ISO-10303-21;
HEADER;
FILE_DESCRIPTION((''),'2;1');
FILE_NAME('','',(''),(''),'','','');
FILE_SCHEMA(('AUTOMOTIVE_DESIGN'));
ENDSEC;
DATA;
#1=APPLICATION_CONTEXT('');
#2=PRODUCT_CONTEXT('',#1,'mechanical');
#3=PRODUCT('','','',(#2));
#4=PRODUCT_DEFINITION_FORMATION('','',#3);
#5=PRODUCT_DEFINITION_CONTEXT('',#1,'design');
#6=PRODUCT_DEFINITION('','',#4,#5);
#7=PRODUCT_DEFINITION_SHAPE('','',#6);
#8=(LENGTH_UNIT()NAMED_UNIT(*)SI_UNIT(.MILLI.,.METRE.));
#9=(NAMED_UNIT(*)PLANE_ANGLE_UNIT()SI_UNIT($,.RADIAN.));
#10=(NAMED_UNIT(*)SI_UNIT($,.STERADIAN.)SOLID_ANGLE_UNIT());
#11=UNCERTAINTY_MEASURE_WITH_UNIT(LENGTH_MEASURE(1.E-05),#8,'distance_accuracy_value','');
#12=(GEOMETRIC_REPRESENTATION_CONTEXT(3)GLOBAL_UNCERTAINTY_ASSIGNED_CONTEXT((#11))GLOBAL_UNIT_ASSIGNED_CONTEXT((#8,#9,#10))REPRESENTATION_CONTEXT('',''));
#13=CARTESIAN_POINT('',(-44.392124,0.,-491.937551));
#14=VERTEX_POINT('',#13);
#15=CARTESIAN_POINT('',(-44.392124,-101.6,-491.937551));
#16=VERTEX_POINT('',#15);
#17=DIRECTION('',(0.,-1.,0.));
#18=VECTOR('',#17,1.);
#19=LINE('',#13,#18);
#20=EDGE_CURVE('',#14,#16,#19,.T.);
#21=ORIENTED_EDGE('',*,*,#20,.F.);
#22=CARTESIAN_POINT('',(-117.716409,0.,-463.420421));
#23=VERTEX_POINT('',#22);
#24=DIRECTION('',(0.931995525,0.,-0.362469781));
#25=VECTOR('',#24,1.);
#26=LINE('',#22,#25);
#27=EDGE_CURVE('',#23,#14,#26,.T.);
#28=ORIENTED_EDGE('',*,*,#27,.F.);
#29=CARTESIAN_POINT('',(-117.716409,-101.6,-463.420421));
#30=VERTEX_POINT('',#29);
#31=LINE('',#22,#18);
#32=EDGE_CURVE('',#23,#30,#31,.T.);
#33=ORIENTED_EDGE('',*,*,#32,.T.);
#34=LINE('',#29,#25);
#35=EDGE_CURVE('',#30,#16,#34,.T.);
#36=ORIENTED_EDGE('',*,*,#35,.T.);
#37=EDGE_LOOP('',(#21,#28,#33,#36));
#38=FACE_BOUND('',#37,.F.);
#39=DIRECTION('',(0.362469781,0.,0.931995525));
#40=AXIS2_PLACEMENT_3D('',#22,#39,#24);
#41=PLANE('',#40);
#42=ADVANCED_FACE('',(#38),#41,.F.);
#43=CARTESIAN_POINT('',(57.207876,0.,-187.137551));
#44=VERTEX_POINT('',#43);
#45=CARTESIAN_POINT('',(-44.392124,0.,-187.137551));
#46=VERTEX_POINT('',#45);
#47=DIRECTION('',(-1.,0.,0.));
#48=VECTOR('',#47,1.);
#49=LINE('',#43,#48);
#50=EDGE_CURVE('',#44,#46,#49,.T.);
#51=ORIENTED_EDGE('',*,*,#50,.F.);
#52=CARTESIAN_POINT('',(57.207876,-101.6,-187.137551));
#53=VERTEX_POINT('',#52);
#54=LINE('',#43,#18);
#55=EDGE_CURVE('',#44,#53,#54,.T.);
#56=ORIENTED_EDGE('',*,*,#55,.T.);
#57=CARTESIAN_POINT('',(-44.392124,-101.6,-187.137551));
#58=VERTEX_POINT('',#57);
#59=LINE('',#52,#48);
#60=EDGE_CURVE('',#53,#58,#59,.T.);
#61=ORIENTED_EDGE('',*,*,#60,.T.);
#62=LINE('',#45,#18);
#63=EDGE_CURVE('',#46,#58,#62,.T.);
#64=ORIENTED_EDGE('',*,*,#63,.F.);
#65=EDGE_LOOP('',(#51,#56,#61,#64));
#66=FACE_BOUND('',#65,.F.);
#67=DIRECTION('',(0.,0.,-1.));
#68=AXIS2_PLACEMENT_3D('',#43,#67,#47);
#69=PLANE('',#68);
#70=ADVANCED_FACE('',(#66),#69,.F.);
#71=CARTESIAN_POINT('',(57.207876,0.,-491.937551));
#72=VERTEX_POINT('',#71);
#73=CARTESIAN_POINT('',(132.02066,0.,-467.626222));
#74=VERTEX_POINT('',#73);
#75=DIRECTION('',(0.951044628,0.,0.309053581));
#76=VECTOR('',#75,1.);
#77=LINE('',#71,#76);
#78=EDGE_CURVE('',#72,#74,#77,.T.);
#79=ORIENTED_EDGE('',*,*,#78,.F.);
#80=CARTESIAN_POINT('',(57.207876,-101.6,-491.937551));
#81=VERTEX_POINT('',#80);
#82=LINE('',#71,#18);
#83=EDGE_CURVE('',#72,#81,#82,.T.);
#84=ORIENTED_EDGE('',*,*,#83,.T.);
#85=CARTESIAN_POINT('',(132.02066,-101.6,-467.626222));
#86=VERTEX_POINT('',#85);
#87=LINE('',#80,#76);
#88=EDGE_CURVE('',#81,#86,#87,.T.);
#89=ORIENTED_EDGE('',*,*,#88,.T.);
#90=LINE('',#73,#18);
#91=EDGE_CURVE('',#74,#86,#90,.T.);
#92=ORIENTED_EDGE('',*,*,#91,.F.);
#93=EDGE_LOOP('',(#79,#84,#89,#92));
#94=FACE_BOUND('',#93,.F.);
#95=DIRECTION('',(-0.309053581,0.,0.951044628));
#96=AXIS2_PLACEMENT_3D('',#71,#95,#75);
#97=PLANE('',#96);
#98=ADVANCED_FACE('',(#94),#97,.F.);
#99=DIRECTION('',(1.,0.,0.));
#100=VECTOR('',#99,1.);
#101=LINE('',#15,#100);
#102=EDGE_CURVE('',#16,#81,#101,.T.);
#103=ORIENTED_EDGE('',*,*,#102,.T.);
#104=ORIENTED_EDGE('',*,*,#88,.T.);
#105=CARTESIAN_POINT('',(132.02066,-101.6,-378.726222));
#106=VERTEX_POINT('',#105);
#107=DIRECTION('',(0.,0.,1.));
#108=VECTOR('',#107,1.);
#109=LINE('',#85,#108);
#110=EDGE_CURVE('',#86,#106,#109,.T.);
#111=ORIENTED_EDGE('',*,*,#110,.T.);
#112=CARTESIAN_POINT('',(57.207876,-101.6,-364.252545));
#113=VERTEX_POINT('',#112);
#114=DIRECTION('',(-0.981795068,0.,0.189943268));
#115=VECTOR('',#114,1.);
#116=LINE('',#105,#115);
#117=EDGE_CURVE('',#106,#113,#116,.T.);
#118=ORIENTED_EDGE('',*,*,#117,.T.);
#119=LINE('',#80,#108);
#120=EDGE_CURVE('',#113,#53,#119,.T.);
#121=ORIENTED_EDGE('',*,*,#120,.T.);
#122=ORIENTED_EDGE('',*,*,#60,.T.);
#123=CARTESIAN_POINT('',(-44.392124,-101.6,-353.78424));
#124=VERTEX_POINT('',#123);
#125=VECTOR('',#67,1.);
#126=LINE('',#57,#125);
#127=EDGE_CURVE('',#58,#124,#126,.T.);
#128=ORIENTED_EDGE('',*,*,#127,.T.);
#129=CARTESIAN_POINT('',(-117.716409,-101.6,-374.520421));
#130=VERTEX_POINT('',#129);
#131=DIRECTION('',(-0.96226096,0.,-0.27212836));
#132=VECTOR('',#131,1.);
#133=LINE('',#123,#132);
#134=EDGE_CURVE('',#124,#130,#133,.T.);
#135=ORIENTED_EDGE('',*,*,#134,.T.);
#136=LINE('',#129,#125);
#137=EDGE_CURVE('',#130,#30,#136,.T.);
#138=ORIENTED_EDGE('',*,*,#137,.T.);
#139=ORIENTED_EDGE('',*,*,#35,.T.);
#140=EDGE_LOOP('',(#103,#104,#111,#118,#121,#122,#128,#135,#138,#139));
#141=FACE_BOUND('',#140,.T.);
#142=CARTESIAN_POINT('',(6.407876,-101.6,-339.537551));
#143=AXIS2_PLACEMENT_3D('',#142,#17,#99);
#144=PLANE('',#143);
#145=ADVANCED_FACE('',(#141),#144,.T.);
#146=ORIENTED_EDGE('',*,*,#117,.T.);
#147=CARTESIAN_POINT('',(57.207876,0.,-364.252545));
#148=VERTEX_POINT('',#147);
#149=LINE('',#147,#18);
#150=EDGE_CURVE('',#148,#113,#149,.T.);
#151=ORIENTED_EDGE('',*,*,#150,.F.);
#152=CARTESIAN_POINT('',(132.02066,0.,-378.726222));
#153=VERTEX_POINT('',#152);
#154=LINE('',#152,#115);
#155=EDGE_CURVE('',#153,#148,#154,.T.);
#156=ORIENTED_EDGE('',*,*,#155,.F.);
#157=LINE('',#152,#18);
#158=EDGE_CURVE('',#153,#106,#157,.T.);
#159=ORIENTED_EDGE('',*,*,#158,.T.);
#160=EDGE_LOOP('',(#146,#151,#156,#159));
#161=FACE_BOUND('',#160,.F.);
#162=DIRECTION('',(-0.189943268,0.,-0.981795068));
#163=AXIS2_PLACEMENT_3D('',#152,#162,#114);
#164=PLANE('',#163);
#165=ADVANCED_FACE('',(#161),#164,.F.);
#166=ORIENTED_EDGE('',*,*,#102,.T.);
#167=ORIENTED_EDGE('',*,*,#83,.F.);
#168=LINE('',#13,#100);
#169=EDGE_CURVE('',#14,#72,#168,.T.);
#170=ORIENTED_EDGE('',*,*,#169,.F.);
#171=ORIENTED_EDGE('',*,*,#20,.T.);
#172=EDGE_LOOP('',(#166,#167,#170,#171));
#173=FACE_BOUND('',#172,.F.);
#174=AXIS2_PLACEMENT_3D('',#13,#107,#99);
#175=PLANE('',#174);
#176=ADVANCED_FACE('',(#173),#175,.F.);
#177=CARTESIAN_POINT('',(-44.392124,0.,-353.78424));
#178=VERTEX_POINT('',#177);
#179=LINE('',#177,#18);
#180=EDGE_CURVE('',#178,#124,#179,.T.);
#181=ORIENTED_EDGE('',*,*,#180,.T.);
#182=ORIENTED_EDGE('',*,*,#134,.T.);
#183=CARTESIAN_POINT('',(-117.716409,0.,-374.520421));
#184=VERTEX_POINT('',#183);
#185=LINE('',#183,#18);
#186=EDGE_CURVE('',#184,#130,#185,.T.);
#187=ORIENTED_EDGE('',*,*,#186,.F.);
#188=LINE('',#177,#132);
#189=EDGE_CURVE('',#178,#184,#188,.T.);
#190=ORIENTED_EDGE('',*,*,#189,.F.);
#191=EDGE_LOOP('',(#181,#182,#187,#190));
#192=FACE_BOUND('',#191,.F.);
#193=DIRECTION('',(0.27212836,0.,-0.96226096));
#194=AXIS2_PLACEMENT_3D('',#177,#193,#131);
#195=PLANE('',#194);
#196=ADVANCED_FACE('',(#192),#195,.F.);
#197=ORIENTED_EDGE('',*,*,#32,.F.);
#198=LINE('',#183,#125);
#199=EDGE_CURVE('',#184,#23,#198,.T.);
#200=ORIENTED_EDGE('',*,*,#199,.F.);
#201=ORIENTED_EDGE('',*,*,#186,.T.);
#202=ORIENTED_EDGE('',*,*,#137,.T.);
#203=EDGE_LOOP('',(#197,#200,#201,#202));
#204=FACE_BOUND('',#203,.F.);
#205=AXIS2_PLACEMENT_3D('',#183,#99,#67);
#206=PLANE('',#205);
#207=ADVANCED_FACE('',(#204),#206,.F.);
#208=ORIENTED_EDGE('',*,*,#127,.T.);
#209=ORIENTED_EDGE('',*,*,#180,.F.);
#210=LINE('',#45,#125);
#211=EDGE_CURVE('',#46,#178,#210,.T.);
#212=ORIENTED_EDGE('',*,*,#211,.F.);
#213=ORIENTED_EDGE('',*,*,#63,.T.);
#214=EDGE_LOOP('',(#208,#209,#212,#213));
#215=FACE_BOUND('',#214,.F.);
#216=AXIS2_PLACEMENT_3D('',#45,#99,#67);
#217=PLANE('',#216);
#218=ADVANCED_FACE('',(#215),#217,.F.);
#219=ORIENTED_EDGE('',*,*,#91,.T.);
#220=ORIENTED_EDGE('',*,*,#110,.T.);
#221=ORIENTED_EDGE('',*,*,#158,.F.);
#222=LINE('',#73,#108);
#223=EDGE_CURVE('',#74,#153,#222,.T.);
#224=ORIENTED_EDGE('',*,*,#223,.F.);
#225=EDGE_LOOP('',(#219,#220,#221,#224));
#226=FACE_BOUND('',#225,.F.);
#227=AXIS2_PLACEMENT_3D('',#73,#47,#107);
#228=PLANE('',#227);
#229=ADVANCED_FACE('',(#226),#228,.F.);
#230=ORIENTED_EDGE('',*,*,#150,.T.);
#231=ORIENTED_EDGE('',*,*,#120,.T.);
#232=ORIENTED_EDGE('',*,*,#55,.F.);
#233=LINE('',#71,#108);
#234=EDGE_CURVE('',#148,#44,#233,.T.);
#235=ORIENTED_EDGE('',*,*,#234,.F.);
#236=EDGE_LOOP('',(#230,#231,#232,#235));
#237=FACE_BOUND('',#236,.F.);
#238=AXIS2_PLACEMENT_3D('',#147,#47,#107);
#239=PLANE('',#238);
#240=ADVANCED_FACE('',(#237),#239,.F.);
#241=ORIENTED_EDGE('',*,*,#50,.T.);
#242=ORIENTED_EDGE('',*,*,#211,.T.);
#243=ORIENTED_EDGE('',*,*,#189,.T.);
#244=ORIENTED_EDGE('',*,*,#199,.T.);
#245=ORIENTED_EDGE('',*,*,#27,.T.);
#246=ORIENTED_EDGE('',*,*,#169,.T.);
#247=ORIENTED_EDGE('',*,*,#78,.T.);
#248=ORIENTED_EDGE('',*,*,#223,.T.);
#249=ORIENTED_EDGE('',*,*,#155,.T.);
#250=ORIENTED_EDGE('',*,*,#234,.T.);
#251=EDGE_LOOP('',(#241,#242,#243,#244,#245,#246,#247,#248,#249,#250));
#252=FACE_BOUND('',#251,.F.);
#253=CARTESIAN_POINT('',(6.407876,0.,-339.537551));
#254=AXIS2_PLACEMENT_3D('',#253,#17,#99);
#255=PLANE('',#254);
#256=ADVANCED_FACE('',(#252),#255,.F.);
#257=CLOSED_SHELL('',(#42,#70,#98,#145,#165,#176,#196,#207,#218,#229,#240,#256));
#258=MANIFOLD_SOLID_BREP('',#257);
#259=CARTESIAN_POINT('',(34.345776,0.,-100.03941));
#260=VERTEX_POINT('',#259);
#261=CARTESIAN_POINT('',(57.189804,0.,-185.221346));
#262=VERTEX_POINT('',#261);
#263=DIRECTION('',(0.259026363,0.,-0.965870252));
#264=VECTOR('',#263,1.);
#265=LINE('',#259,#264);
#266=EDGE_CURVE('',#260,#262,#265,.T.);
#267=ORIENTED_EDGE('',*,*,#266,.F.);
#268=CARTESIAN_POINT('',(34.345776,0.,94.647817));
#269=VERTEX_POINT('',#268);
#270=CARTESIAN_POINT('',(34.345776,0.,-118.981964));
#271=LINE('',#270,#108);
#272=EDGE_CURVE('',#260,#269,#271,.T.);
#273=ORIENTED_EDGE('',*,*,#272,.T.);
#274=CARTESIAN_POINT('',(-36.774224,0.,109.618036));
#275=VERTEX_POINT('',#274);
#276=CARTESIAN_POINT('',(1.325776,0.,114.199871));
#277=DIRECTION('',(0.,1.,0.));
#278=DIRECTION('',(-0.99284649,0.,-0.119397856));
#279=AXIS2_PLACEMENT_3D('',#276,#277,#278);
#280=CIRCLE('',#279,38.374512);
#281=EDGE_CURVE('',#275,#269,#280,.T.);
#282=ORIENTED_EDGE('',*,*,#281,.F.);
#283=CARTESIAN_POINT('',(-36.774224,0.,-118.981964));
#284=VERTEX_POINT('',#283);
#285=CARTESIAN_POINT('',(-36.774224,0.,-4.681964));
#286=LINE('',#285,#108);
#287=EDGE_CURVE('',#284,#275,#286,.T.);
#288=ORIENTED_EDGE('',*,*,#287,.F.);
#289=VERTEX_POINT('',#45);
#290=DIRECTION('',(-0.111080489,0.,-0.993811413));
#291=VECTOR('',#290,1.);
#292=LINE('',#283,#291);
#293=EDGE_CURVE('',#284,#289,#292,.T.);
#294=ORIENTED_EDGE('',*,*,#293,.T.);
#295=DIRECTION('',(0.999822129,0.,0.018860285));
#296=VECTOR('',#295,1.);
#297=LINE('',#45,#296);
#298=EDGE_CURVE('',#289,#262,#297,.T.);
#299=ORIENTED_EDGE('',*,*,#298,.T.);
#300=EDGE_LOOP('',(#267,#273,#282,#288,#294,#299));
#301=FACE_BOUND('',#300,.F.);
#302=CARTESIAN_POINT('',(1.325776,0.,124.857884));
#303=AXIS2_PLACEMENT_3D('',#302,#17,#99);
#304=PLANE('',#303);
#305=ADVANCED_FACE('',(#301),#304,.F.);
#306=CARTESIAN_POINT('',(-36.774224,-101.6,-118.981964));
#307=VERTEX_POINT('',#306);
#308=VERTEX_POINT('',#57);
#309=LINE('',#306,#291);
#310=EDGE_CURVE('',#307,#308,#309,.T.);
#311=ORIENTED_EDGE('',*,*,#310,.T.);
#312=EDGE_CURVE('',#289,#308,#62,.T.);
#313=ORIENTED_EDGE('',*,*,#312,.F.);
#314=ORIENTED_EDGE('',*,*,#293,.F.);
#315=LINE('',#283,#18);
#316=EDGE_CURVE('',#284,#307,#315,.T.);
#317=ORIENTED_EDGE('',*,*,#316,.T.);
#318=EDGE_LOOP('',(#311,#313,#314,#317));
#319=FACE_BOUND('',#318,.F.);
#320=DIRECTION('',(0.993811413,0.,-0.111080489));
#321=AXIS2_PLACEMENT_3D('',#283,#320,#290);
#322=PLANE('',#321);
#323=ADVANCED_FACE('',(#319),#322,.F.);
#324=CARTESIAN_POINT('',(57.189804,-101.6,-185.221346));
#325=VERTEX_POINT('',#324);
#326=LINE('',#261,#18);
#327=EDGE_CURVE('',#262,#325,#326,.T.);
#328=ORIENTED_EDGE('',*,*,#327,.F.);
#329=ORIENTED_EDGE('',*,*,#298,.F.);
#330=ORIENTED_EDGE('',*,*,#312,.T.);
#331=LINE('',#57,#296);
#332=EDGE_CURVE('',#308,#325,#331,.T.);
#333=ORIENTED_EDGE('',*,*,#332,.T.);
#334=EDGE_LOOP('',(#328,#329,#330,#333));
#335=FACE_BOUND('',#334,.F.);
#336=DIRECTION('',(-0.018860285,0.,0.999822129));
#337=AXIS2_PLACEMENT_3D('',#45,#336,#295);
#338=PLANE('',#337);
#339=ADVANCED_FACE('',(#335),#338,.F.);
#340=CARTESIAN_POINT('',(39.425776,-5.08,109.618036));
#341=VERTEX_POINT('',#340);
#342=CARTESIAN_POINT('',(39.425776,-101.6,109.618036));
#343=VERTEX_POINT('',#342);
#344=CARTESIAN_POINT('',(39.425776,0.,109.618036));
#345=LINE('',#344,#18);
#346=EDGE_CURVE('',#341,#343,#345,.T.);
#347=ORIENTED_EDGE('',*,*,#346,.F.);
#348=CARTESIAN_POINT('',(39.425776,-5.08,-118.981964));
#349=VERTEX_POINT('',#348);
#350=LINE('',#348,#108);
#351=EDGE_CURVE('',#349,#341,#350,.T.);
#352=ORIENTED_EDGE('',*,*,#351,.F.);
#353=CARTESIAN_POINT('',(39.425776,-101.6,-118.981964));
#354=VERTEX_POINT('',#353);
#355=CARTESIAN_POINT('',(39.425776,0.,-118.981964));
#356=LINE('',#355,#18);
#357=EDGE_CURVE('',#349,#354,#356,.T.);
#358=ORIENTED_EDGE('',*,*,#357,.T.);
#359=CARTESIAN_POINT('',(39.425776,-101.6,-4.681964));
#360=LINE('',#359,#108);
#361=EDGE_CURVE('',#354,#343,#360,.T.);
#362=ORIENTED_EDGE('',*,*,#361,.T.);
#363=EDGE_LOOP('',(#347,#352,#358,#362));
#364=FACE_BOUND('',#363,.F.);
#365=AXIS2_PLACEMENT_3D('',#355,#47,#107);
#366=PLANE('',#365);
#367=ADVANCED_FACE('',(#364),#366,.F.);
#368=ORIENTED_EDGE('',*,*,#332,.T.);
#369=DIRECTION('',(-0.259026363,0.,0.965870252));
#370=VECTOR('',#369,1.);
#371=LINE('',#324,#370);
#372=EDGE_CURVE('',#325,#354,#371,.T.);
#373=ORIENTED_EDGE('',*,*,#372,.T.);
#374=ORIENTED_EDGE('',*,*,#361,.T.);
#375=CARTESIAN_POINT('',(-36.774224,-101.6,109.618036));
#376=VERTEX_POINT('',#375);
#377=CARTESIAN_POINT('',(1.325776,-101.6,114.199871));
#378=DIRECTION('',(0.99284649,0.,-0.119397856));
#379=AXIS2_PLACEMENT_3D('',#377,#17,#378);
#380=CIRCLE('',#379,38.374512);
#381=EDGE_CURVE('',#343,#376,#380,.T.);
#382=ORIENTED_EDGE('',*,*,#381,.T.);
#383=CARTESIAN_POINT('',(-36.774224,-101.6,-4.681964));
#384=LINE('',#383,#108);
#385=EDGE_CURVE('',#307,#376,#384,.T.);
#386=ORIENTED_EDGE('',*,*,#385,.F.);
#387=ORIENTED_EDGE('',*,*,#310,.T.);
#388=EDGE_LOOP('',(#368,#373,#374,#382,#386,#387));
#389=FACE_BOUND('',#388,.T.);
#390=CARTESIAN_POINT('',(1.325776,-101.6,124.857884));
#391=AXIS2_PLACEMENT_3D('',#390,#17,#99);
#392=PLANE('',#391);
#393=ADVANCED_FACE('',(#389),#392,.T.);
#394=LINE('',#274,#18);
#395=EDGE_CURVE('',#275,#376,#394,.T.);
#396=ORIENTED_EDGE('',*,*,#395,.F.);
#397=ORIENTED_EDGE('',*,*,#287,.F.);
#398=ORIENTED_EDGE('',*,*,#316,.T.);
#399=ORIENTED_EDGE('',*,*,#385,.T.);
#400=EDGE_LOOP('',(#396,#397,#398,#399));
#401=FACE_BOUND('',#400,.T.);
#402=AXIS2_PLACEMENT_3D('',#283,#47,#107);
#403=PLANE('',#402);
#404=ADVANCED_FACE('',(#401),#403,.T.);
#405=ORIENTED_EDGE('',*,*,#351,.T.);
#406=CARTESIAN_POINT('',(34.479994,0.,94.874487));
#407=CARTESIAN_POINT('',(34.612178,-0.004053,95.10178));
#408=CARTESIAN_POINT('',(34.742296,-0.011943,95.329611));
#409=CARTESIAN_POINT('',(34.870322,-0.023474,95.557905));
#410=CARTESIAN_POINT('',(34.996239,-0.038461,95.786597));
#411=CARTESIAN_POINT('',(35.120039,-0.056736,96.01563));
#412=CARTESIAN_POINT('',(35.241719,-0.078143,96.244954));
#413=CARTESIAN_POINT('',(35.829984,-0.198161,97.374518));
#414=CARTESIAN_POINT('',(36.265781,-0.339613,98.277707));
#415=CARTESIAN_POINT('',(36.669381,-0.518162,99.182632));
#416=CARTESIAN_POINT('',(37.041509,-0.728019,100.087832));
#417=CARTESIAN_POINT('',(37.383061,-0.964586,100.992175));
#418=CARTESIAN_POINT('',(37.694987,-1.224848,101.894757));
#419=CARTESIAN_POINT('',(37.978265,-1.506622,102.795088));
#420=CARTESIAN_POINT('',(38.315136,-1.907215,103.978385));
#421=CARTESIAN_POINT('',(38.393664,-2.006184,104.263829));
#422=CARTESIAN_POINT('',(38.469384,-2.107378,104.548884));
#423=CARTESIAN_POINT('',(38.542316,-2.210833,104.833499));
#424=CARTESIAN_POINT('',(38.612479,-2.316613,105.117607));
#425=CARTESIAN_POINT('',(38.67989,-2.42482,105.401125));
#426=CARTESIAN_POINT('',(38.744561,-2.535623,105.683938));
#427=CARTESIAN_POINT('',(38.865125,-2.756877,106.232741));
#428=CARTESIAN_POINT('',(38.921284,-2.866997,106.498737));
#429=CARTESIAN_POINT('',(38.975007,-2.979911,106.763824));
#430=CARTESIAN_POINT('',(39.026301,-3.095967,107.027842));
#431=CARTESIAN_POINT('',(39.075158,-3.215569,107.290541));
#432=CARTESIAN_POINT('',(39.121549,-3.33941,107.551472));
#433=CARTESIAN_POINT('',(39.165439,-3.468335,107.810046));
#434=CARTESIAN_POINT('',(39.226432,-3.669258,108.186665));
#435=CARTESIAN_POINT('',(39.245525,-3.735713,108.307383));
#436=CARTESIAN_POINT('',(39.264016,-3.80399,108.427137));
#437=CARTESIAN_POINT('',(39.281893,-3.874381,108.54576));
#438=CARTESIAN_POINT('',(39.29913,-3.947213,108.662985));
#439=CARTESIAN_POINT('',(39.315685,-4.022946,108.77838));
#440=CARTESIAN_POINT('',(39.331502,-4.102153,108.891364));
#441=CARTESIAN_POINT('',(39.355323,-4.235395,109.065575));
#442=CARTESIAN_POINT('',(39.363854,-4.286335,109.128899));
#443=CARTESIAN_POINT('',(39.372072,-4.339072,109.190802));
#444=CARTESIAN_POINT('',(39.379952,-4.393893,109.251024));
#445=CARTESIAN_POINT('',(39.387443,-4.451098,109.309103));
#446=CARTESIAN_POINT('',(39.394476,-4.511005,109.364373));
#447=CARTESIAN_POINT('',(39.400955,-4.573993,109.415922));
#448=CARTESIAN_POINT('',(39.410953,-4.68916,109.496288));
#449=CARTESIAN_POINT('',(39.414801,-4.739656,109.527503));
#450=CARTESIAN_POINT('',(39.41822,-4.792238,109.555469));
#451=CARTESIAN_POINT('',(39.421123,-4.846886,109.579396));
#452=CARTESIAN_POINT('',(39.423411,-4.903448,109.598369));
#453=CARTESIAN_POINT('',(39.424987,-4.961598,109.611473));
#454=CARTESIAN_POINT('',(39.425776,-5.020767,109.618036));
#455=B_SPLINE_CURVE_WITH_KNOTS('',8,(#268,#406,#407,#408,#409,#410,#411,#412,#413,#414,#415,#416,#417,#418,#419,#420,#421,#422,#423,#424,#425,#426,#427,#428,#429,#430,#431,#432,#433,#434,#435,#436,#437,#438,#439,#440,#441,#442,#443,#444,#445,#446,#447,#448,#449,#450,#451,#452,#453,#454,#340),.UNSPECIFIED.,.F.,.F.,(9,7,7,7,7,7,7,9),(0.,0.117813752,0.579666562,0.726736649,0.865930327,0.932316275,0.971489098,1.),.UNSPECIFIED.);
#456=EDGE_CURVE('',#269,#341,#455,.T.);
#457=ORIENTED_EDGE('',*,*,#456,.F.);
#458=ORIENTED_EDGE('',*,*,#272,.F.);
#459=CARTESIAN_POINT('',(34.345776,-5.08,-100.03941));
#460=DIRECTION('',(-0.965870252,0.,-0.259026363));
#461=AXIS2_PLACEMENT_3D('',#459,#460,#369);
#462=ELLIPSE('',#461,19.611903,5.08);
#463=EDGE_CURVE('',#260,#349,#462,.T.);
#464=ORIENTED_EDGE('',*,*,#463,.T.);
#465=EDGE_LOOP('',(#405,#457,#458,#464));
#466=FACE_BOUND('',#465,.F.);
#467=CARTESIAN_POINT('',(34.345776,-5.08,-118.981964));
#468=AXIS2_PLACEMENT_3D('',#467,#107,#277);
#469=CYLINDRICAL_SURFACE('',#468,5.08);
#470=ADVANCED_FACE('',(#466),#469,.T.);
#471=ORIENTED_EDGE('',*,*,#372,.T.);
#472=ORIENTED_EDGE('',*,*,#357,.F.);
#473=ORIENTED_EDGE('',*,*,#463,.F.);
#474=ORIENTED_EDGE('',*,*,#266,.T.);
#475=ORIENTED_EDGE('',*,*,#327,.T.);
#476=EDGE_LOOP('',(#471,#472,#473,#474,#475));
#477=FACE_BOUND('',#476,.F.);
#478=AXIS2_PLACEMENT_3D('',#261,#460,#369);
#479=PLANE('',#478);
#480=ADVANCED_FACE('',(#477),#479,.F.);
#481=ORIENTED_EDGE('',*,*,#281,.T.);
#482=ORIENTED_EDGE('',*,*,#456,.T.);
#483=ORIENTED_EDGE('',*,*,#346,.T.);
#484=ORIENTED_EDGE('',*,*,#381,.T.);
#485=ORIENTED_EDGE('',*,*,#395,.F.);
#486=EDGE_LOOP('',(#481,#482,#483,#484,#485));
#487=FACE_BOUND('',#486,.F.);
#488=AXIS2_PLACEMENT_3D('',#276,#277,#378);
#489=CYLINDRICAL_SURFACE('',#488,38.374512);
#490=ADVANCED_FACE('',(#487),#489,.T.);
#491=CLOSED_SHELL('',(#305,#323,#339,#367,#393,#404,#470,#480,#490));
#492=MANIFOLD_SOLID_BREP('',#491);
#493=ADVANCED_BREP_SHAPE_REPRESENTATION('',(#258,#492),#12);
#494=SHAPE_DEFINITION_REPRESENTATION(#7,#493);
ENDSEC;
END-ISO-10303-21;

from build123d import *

# Parameters (mm, degrees)
F0_W     = 76.2
F0_H     = 228.6
F1_DEPTH = 101.6
F2_R     = 5.08


with BuildPart() as f1:
    # F0 (on Front) → F1 (new body)
    with BuildSketch(Plane.XZ):
        with BuildLine():
            ThreePointArc((39.425776, 109.618036), (1.325776, 152.574383), (-36.774224, 109.618036))
            Line((-36.774224, 109.618036), (39.425776, 109.618036))
        make_face()
        with Locations((1.325776, -4.681964)):
            Rectangle(F0_W, F0_H)
        Polygon((57.207876, -187.137551), (-44.392124, -187.137551), (-44.392124, -353.78424), (-44.392124, -491.937551), (57.207876, -491.937551), (57.207876, -364.252545), align=None)
        Polygon((39.425776, -118.981964), (-36.774224, -118.981964), (-44.392124, -187.137551), (57.189804, -185.221346), align=None)
        Polygon((-44.392124, -491.937551), (-44.392124, -353.78424), (-117.716409, -374.520421), (-117.716409, -463.420421), align=None)
        Polygon((132.02066, -378.726222), (57.207876, -364.252545), (57.207876, -491.937551), (132.02066, -467.626222), align=None)
    extrude(amount=F1_DEPTH)

    # F2
    f2_edges = [f1.edges().sort_by_distance(p)[0] for p in [
        (39.425776, 0, -4.681964),
    ]]
    fillet(f2_edges, radius=F2_R)


solid = f1.part
